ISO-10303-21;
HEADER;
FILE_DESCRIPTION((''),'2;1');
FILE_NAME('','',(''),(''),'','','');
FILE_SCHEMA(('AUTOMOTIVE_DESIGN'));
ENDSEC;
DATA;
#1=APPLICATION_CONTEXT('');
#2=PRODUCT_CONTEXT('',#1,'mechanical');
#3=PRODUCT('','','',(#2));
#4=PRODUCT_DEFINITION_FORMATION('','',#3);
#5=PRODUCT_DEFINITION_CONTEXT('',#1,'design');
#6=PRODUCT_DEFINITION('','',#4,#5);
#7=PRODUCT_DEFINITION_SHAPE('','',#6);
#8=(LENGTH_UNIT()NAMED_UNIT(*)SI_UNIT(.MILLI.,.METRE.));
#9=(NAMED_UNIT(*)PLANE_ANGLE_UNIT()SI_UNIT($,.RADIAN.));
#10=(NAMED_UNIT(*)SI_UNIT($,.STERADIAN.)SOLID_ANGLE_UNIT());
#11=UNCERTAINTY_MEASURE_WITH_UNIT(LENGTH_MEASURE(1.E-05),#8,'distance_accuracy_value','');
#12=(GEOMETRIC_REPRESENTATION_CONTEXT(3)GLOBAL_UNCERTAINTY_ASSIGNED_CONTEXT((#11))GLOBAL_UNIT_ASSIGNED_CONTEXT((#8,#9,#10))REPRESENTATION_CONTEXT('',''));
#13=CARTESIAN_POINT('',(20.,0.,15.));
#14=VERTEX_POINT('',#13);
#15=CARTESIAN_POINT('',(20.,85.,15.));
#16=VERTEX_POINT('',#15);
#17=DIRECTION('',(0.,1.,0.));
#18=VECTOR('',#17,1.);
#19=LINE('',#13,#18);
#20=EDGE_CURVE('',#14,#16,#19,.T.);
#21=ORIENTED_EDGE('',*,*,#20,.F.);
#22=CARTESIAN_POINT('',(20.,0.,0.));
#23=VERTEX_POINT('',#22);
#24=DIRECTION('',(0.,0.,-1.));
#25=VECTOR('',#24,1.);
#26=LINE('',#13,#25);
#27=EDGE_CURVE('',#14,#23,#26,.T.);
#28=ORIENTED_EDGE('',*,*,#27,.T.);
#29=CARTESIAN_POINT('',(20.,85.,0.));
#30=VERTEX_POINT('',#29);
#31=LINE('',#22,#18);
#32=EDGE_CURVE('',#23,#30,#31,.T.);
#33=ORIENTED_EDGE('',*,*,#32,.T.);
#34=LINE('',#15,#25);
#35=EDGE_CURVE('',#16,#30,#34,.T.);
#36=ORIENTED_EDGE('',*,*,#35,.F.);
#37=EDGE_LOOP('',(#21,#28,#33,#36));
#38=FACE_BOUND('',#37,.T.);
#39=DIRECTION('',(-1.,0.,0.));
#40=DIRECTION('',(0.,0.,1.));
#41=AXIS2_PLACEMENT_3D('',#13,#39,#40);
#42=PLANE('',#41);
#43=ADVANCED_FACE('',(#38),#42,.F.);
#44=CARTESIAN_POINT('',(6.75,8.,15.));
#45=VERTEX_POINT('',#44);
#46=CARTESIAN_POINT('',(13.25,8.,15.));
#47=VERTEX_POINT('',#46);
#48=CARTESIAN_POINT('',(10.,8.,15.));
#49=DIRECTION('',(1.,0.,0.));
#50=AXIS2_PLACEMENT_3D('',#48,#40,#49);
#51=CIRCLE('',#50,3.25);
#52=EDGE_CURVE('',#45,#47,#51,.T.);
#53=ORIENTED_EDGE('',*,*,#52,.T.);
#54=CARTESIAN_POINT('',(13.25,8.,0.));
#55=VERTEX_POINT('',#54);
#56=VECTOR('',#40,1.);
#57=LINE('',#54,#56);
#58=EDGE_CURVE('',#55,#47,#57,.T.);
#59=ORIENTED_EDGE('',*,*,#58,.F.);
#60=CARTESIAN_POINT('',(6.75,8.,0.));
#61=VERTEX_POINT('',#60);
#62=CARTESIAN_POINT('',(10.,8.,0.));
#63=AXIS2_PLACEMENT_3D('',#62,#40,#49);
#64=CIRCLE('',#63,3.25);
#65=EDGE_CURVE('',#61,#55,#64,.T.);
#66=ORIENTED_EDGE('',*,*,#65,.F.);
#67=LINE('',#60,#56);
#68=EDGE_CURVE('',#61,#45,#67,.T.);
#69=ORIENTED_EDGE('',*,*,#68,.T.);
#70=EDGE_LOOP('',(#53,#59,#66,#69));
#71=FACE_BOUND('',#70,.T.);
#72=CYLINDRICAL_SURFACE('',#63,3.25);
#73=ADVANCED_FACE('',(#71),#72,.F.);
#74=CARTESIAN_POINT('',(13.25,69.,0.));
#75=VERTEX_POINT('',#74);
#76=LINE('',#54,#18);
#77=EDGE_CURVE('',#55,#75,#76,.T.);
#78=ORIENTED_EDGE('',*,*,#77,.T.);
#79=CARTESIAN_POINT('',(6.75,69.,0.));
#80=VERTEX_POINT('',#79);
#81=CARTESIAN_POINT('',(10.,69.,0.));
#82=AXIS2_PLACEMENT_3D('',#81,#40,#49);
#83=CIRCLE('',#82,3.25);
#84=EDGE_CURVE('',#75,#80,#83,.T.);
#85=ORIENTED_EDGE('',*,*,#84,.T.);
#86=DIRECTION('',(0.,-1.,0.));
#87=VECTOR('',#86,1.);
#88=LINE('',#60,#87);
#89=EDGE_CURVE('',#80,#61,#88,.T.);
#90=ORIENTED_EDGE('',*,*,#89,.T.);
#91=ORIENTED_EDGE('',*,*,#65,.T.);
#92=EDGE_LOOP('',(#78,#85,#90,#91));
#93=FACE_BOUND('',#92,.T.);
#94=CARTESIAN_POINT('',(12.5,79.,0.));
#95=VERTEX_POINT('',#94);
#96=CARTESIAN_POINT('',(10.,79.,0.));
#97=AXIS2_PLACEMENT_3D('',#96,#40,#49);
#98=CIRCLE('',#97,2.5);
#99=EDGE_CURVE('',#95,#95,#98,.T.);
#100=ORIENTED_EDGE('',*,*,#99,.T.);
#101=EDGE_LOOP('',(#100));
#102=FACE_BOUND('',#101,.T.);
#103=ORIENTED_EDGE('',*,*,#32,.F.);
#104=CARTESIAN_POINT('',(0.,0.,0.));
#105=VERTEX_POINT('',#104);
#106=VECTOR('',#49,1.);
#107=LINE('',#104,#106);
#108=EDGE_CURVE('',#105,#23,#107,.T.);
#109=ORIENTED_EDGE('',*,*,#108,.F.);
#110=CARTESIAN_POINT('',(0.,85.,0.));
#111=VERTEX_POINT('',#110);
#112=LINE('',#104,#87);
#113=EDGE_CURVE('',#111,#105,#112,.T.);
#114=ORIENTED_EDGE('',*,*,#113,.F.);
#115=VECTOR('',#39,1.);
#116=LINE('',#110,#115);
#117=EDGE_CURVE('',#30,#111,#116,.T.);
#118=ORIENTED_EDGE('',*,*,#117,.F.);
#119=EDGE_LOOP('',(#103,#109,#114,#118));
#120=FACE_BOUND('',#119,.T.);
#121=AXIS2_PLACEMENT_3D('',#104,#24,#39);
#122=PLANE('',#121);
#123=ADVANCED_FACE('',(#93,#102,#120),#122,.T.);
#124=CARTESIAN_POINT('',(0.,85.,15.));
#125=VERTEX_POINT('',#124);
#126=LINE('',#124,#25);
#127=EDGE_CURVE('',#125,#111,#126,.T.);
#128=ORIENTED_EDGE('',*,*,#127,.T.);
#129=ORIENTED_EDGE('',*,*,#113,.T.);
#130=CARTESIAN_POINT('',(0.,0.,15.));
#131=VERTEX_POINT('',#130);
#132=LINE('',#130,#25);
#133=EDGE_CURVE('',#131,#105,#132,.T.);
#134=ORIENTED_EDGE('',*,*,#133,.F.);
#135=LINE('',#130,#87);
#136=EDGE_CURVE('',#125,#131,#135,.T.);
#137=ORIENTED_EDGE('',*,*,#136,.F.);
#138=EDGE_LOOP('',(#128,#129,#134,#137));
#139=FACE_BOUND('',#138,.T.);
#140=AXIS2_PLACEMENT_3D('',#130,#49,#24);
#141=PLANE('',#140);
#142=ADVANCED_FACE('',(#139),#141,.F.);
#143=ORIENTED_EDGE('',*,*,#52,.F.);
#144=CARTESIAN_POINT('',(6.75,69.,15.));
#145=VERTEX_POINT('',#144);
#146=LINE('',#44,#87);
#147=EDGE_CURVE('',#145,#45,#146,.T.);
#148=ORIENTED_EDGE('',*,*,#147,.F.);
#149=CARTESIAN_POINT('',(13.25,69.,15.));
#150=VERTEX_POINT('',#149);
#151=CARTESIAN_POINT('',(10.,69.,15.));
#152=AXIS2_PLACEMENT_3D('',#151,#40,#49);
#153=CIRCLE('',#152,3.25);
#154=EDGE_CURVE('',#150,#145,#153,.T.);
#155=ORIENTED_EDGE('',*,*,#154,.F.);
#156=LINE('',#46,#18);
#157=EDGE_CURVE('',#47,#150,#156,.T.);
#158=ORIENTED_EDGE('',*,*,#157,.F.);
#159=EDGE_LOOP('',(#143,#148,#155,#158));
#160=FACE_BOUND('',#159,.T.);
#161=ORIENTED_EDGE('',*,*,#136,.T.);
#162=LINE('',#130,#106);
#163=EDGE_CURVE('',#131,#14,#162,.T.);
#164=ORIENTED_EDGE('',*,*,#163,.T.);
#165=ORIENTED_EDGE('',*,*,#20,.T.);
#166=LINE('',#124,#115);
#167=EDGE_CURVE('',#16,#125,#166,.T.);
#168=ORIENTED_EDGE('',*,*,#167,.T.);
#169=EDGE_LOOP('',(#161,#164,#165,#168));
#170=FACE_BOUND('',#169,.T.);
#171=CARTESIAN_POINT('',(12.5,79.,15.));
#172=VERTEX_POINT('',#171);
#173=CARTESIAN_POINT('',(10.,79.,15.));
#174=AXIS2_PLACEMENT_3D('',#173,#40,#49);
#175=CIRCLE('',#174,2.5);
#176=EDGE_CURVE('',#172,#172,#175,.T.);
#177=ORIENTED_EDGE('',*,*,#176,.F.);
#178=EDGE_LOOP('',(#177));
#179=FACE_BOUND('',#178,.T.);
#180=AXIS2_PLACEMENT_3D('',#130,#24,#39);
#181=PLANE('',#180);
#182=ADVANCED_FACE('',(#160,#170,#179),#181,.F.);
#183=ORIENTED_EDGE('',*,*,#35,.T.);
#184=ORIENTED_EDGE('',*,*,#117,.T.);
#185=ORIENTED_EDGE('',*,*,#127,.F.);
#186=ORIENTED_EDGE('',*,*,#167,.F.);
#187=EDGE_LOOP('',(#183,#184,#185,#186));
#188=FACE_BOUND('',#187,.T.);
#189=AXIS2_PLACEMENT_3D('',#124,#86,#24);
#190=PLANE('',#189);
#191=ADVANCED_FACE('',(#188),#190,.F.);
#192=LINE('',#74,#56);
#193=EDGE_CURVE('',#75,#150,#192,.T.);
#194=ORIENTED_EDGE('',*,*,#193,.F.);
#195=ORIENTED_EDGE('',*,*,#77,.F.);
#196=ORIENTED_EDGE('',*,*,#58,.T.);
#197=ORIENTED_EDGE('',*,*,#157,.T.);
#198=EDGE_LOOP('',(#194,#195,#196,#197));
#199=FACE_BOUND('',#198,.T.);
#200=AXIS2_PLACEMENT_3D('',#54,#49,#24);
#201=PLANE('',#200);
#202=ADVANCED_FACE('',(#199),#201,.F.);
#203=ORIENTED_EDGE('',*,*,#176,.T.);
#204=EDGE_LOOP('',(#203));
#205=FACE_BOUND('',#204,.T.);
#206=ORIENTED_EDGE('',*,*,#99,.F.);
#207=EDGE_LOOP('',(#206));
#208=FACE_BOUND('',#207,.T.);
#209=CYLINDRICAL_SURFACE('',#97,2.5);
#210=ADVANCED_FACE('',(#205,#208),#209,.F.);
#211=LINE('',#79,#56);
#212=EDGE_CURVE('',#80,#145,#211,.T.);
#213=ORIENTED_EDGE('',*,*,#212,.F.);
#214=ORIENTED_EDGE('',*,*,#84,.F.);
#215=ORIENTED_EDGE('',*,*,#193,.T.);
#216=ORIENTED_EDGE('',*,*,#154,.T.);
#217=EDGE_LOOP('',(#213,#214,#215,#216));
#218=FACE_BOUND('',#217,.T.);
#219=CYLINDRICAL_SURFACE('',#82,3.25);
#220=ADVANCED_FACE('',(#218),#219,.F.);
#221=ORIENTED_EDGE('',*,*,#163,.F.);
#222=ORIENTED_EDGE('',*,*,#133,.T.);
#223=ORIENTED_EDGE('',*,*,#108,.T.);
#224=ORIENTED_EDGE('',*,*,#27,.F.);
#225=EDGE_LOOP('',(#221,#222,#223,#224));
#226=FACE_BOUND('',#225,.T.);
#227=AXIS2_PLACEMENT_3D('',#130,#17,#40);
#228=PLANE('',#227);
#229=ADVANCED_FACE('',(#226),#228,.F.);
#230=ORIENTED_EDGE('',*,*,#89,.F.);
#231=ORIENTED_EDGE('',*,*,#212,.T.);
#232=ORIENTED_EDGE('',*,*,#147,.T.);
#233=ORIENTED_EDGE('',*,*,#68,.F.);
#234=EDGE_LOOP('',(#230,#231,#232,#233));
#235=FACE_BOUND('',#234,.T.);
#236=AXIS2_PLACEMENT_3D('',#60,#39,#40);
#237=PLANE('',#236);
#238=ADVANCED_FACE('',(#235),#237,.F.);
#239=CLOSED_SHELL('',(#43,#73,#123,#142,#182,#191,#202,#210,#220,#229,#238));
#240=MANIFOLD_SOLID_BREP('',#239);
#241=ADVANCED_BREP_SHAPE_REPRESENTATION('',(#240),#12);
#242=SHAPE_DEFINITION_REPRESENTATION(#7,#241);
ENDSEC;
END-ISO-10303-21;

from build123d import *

# Parameters (mm, degrees)
ESQUISSE1_W             = 20
ESQUISSE1_H             = 85
BOSS_EXTRU_1_DEPTH      = 15
ESQUISSE2_R             = 2.5
ENL_V_MAT_EXTRU_1_DEPTH = 15


with BuildPart() as part:
    # Esquisse1 → Boss.-Extru.1 (new body)
    with BuildSketch(Plane.XY):
        with Locations((10, 42.5)):
            Rectangle(ESQUISSE1_W, ESQUISSE1_H)
    extrude(amount=BOSS_EXTRU_1_DEPTH)

    # Esquisse2 → Enlèv. mat.-Extru.1 (cut)
    with BuildSketch(Plane.XY.offset(15)):
        with Locations((10, 79)):
            Circle(ESQUISSE2_R)
        with BuildLine():
            Line((6.75, 8), (6.75, 69))
            ThreePointArc((6.75, 69), (10, 72.25), (13.25, 69))
            Line((13.25, 69), (13.25, 8))
            ThreePointArc((13.25, 8), (10, 4.75), (6.75, 8))
        make_face()
    extrude(amount=-ENL_V_MAT_EXTRU_1_DEPTH, mode=Mode.SUBTRACT)


solid = part.part
